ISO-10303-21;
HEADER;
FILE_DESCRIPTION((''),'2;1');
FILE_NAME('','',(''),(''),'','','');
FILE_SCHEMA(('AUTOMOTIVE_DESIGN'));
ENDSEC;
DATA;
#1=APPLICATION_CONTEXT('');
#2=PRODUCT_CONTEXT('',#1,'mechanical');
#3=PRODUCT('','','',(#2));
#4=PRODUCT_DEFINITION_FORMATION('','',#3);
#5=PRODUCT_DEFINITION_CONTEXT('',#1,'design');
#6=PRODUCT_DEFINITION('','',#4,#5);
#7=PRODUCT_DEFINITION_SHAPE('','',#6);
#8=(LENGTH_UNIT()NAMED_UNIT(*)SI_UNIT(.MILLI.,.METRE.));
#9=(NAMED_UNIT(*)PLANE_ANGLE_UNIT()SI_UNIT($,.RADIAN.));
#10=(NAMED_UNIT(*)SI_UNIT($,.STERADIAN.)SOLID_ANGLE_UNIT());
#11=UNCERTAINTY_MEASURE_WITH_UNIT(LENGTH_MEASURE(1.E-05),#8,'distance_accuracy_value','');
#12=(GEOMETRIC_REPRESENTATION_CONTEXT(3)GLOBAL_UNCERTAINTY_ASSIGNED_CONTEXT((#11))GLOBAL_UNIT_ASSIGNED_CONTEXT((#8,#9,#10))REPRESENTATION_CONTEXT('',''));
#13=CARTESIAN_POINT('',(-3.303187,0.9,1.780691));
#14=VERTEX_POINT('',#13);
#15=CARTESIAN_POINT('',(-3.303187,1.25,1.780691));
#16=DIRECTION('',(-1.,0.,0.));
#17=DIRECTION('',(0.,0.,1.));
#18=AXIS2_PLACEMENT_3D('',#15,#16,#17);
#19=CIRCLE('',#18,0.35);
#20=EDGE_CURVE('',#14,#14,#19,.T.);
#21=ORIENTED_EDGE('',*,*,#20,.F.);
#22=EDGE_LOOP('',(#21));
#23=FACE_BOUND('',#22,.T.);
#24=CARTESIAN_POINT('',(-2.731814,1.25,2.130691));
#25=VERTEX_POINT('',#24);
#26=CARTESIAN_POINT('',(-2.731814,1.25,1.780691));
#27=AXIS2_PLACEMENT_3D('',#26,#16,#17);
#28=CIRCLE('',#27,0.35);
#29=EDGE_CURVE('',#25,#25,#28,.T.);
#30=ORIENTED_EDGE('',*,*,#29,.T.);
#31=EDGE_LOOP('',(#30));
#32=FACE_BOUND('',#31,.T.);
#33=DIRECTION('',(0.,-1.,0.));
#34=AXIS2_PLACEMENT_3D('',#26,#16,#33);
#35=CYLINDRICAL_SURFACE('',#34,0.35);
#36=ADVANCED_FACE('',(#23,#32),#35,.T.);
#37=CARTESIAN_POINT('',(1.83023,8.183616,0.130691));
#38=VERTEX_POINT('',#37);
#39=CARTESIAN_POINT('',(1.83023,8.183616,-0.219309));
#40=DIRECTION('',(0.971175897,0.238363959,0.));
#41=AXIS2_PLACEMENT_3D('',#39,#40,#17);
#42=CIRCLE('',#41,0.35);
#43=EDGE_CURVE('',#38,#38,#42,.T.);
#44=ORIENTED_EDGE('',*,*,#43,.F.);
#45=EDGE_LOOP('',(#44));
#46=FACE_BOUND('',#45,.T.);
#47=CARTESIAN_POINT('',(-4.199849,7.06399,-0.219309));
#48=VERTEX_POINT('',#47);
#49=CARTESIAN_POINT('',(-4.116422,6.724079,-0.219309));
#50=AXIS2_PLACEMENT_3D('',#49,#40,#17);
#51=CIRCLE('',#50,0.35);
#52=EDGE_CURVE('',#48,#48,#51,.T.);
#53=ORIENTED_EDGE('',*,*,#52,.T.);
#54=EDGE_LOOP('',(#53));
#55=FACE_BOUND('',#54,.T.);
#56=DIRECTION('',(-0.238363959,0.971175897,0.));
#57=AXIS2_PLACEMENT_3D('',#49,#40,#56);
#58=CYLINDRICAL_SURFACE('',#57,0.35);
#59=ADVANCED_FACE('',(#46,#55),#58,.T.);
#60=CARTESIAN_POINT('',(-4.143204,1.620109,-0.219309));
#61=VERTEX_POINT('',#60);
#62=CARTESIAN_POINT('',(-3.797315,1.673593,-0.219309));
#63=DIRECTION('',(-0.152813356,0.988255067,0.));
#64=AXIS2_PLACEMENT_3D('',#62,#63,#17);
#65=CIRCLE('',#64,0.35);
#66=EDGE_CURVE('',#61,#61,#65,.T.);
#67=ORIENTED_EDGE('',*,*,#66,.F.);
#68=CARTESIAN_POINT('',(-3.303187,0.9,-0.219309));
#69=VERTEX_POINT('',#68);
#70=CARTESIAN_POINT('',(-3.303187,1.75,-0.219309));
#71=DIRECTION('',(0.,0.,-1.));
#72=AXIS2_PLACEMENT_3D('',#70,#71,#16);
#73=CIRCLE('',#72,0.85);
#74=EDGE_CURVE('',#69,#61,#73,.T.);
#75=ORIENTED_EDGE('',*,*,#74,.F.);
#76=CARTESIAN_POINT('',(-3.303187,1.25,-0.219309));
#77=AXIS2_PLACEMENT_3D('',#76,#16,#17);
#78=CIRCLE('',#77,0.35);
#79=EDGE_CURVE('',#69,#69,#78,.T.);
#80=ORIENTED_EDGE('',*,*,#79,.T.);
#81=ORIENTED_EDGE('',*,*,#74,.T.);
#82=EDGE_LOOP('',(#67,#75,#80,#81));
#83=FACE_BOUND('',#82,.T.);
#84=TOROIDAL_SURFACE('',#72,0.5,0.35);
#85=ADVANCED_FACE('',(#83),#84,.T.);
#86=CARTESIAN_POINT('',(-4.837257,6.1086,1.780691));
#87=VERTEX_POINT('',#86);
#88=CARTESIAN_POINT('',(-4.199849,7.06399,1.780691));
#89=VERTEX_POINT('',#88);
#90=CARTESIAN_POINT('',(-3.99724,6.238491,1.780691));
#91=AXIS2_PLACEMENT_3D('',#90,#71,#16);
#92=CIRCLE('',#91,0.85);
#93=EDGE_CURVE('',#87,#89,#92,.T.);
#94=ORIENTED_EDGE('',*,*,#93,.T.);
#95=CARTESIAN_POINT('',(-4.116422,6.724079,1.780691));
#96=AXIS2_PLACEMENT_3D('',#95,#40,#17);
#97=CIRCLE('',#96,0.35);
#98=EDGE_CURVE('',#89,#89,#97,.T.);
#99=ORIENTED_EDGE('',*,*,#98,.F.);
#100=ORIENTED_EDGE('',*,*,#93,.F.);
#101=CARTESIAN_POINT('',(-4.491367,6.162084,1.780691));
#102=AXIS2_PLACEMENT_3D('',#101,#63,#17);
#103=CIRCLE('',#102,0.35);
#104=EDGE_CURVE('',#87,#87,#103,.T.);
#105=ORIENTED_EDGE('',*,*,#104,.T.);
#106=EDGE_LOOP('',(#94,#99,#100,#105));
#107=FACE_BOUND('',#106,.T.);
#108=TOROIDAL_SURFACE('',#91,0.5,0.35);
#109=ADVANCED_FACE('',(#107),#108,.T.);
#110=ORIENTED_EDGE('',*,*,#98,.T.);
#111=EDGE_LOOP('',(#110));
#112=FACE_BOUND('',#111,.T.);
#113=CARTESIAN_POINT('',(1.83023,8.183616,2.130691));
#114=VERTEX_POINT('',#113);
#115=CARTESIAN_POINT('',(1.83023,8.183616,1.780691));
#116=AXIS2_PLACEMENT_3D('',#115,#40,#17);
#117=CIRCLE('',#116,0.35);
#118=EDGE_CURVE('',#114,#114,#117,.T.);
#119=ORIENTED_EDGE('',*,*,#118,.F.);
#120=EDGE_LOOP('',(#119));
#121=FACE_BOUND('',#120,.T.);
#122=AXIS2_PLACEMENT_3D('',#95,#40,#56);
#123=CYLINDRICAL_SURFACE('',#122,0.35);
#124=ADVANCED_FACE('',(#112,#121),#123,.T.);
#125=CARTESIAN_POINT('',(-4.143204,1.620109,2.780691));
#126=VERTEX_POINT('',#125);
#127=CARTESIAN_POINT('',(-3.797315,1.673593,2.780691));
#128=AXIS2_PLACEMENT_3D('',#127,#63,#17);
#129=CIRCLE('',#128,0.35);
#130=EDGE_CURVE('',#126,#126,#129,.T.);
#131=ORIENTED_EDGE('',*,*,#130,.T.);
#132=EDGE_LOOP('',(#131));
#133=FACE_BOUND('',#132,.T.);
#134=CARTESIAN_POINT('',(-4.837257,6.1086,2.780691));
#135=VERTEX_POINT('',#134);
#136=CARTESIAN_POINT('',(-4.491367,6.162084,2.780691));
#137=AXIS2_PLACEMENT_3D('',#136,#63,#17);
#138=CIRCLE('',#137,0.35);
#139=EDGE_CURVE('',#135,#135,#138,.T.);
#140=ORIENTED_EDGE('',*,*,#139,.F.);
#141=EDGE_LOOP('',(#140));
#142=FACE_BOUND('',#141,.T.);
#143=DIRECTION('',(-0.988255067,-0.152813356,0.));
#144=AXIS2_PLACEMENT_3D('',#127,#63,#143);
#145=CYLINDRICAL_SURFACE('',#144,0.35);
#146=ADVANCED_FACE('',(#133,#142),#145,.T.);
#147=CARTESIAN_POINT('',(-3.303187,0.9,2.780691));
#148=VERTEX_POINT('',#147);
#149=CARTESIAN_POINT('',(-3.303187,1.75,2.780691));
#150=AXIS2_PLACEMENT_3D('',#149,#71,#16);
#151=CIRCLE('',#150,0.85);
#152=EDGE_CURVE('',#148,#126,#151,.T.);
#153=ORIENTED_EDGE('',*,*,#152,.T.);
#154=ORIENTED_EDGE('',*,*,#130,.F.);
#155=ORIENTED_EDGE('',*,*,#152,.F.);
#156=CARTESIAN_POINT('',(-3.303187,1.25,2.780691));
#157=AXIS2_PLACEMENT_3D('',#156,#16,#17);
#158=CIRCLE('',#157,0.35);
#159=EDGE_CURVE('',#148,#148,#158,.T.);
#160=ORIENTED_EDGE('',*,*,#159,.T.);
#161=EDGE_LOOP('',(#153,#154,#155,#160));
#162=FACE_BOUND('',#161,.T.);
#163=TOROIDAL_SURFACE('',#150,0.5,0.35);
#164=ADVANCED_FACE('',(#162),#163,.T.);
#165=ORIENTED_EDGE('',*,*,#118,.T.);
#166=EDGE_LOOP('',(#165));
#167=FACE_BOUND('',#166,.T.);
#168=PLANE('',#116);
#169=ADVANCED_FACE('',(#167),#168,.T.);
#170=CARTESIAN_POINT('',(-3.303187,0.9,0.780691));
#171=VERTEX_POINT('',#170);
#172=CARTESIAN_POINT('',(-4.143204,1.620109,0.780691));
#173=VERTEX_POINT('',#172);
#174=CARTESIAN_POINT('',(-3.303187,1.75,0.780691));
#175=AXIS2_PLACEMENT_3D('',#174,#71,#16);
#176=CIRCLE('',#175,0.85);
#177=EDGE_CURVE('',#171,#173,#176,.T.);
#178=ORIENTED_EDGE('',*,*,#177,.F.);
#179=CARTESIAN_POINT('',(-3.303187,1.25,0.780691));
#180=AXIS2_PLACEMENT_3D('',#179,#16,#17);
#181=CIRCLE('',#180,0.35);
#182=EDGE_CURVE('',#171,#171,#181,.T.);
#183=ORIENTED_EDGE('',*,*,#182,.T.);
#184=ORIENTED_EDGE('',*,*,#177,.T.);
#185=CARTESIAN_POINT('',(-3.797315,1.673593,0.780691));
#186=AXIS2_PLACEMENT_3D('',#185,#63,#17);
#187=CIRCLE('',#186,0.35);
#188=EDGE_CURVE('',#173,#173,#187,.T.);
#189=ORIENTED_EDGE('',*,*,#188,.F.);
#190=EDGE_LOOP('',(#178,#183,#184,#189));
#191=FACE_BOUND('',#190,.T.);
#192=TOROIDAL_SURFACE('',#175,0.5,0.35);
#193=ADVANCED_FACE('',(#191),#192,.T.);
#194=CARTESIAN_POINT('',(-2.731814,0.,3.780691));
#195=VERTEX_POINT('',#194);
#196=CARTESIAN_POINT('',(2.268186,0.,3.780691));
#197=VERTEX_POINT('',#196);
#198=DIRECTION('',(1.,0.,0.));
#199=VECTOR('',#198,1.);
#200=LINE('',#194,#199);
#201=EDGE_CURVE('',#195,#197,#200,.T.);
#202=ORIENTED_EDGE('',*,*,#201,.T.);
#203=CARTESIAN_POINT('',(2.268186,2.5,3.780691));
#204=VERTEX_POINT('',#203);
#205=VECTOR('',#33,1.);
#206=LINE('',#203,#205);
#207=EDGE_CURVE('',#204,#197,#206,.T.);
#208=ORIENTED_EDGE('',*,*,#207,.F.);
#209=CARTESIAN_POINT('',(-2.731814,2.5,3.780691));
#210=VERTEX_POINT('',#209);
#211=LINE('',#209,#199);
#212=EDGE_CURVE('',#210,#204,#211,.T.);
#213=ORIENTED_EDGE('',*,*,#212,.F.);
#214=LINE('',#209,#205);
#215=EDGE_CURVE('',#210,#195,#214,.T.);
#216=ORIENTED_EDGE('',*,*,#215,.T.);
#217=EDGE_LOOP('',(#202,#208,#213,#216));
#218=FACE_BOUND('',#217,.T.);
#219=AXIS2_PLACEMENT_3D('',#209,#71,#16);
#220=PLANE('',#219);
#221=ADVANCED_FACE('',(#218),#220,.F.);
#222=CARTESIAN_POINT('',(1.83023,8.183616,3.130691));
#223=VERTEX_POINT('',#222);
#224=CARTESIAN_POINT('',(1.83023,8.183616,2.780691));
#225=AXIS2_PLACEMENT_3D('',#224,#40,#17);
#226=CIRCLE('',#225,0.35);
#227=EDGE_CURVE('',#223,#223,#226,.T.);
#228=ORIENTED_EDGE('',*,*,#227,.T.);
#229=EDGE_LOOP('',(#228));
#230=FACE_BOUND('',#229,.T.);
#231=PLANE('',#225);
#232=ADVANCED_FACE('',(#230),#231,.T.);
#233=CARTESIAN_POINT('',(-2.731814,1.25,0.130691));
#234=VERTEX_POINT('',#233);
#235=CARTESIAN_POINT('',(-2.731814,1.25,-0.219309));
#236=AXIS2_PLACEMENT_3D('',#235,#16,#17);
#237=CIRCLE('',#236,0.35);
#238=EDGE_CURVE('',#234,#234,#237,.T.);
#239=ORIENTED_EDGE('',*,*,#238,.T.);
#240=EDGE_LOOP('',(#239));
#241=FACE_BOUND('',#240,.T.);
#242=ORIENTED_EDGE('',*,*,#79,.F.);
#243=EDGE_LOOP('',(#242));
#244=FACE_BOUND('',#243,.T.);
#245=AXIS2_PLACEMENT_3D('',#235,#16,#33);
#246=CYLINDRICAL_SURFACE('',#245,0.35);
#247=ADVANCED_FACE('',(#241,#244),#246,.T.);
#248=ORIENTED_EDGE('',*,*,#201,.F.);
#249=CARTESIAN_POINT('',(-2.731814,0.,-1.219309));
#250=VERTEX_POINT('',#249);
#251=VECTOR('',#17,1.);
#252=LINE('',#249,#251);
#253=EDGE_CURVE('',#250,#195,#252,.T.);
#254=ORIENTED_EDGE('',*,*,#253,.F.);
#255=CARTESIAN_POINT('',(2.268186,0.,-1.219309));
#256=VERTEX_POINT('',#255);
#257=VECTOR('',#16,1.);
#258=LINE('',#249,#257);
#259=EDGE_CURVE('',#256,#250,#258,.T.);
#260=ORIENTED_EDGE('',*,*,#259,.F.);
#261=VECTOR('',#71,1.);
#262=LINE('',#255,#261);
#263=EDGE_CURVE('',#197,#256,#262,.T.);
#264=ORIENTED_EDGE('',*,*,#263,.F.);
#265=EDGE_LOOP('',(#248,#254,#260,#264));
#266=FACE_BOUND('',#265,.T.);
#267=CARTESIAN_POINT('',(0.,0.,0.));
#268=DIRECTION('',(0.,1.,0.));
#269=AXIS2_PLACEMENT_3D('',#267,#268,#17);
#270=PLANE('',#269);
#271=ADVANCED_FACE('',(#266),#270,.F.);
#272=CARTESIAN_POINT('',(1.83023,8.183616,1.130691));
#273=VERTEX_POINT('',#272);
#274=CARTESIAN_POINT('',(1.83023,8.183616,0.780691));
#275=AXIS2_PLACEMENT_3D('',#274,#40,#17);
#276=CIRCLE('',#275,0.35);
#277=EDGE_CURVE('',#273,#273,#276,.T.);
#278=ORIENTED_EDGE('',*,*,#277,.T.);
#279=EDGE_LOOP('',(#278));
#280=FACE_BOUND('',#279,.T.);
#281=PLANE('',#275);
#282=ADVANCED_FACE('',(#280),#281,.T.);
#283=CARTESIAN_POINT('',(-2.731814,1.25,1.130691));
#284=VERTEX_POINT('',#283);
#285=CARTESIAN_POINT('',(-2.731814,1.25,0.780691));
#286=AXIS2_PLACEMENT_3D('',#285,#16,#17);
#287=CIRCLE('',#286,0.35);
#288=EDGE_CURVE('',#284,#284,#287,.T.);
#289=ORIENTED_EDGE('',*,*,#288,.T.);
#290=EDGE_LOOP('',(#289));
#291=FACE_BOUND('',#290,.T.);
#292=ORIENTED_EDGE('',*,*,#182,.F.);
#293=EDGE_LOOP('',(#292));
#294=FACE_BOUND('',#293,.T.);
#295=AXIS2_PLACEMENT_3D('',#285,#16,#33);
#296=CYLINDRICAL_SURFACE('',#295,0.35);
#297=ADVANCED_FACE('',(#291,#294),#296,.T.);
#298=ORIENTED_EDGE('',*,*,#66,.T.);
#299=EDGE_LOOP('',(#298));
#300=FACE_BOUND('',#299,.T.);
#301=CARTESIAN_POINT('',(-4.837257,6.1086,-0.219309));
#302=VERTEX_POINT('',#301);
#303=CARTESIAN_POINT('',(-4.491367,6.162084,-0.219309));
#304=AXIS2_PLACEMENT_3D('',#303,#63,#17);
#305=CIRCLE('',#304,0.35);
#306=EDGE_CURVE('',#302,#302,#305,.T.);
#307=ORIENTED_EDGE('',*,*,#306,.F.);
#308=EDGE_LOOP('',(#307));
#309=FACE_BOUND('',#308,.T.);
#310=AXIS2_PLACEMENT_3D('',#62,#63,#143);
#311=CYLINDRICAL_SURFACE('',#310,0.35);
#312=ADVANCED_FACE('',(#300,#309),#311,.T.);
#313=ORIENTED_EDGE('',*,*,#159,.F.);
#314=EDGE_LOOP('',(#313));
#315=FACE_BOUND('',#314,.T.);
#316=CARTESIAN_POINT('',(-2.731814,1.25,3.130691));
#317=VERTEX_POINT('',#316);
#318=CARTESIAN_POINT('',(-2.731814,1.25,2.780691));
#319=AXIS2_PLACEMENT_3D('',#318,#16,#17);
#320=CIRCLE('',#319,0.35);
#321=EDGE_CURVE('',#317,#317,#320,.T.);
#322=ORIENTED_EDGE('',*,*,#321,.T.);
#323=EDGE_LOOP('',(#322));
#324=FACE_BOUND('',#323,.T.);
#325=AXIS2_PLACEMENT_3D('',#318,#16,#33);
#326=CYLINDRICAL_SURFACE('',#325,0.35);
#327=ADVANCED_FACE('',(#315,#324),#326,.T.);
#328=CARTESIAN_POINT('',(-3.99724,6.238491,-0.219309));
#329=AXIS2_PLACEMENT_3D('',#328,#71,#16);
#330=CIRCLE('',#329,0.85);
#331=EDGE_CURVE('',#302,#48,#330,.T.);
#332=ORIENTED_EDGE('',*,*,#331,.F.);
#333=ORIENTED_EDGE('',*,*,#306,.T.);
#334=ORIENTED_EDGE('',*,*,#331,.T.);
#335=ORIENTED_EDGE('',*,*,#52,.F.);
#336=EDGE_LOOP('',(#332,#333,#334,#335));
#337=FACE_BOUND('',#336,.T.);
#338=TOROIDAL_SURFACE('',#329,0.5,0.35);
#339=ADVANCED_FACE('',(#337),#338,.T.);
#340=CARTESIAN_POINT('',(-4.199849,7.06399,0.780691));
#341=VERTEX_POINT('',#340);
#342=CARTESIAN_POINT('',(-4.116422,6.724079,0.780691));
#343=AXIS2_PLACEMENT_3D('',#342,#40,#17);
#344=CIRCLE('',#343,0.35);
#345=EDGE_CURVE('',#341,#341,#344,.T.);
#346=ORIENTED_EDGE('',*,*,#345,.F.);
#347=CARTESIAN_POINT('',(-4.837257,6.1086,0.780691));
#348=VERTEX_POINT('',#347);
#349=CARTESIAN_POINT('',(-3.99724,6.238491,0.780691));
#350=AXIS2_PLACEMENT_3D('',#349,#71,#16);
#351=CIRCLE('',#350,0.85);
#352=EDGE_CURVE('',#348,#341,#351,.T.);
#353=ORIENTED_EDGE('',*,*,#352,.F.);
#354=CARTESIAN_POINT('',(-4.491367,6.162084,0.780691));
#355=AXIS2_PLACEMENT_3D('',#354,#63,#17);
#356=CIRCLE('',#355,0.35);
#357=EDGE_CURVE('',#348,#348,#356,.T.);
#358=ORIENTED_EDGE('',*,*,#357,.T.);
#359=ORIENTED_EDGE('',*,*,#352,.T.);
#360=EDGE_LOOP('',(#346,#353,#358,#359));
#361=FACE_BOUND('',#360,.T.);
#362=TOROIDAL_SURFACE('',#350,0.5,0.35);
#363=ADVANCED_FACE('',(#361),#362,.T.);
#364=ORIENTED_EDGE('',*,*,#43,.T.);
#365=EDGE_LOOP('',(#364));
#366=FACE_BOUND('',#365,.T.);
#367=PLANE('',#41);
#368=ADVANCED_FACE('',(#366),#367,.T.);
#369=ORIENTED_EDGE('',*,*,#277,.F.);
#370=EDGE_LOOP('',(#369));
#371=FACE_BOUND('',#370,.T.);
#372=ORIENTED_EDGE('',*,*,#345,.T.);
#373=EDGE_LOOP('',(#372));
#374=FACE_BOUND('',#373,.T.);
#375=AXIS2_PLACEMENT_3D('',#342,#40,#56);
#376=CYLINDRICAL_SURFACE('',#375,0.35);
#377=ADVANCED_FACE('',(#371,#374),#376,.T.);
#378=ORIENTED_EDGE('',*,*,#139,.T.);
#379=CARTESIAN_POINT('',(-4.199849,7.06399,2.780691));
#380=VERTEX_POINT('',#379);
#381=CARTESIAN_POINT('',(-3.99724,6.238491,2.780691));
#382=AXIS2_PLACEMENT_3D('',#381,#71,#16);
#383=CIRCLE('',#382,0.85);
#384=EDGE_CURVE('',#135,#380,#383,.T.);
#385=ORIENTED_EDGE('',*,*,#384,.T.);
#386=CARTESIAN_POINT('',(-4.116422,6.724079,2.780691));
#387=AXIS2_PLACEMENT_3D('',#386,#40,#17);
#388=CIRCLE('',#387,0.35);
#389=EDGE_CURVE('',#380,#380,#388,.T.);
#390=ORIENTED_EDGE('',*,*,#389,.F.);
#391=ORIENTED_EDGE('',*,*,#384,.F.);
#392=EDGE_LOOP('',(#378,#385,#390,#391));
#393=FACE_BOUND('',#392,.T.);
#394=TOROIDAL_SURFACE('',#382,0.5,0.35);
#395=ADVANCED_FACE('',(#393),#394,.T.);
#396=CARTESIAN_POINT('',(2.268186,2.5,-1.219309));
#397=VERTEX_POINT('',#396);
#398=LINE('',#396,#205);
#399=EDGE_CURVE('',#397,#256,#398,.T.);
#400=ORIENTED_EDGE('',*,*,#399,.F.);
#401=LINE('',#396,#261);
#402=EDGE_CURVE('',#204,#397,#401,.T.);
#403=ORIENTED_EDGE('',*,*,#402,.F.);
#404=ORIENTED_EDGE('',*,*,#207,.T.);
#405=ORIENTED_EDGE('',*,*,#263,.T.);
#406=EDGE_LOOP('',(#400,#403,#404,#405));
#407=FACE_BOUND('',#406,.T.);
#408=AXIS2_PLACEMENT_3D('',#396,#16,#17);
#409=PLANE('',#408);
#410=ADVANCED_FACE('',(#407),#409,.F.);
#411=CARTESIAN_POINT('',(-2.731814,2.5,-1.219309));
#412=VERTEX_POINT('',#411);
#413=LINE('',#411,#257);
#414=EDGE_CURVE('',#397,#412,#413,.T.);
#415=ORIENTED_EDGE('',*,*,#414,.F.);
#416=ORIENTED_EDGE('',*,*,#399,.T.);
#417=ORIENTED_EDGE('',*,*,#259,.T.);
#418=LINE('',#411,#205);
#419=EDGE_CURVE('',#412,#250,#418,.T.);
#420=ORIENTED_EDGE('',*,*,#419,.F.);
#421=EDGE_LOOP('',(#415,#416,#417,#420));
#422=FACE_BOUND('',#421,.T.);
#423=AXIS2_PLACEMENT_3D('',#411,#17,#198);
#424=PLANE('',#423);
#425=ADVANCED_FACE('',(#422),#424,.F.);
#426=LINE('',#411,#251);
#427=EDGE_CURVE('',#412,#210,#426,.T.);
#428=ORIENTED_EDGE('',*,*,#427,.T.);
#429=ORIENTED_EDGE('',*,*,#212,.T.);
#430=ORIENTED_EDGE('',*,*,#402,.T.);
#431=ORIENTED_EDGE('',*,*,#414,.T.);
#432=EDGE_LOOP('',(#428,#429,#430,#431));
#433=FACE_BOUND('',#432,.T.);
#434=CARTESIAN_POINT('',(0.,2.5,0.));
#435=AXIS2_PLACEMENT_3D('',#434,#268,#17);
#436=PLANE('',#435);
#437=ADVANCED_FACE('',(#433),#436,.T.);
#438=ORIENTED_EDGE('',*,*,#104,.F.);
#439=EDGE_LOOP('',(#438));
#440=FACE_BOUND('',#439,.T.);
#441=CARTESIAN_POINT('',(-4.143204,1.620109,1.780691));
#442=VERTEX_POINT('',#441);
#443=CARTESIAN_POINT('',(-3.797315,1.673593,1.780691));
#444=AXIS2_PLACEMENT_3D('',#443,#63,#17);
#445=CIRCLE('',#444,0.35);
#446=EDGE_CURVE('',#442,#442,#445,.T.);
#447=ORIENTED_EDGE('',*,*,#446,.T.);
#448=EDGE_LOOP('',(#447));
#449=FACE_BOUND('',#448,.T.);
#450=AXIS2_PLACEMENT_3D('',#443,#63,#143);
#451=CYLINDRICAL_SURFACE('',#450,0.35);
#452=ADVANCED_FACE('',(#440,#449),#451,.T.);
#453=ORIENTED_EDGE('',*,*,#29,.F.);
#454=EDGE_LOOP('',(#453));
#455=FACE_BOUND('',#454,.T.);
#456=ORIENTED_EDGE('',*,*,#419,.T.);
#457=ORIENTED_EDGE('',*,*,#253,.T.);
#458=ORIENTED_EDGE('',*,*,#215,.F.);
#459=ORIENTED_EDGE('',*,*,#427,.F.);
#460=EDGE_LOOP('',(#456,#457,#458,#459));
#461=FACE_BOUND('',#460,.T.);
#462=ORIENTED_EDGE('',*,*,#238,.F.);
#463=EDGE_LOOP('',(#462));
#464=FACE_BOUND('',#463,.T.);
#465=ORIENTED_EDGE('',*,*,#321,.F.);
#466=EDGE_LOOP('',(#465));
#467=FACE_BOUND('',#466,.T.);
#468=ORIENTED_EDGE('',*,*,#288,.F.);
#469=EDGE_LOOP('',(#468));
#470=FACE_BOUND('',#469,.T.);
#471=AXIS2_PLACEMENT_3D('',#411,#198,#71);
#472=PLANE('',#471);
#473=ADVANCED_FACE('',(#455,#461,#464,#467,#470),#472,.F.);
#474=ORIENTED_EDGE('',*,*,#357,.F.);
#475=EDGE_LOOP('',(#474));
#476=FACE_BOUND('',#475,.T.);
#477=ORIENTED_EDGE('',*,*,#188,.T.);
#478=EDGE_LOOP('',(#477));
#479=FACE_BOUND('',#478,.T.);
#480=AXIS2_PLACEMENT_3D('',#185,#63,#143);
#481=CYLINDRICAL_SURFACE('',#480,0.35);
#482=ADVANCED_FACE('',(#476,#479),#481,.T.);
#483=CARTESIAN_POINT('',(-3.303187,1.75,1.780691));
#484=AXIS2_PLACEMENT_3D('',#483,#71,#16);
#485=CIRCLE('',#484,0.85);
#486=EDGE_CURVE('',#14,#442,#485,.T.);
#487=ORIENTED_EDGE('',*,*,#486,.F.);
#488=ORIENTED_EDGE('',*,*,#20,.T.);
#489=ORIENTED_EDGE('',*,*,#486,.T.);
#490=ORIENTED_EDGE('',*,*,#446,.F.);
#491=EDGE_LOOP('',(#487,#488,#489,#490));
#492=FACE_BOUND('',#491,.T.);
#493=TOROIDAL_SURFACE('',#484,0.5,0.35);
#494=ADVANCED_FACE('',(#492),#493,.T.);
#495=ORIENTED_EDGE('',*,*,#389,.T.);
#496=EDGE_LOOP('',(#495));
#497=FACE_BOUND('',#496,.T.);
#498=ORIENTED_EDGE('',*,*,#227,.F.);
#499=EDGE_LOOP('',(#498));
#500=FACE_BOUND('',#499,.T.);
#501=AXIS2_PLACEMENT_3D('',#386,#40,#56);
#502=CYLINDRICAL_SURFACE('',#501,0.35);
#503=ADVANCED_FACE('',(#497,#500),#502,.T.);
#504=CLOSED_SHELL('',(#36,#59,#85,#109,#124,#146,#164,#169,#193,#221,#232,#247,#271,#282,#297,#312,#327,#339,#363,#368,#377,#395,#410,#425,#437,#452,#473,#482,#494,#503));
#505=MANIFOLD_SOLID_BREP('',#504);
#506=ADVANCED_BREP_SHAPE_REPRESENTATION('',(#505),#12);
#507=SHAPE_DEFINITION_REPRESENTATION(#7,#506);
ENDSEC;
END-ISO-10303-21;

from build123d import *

# Parameters (mm, degrees)
SKETCH_1_W      = 5
SKETCH_1_H      = 5
EXTRUDE_1_DEPTH = 2.5
SKETCH_2_R      = 0.35


with BuildPart() as part:
    # Эскиз1 → Бобышка-Вытянуть1 (new body)
    with BuildSketch(Plane(origin=(0, 0, 0), x_dir=(1, 0, 0), z_dir=(0, 1, 0))):
        with Locations((-0.231814497, -1.280690723)):
            Rectangle(SKETCH_1_W, SKETCH_1_H)
    extrude(amount=EXTRUDE_1_DEPTH)

    # По траектории6: sweep along a path in Эскиз9
    with BuildLine(Plane.XY.offset(2.780690723)) as sweep_6_path:
        Line((-2.731814497, 1.25), (-3.303186974, 1.25))
        ThreePointArc((-3.303186974, 1.25), (-3.62860721, 1.370392743), (-3.797314507, 1.673593322))
        Line((-3.797314507, 1.673593322), (-4.491367464, 6.162084196))
        ThreePointArc((-4.491367464, 6.162084196), (-4.413168566, 6.515985685), (-4.11642191, 6.724078823))
        Line((-4.11642191, 6.724078823), (1.830230237, 8.183616228))
    # Эскиз2 → По траектории6 (sweep)
    with BuildSketch(Plane.ZY.offset(2.731814497)):
        with Locations((-0.219309277, 1.25)):
            Circle(SKETCH_2_R)
        with Locations((0.780690723, 1.25)):
            Circle(SKETCH_2_R)
        with Locations((1.780690723, 1.25)):
            Circle(SKETCH_2_R)
        with Locations((2.780690723, 1.25)):
            Circle(SKETCH_2_R)
    sweep(path=sweep_6_path.line)


solid = part.part
